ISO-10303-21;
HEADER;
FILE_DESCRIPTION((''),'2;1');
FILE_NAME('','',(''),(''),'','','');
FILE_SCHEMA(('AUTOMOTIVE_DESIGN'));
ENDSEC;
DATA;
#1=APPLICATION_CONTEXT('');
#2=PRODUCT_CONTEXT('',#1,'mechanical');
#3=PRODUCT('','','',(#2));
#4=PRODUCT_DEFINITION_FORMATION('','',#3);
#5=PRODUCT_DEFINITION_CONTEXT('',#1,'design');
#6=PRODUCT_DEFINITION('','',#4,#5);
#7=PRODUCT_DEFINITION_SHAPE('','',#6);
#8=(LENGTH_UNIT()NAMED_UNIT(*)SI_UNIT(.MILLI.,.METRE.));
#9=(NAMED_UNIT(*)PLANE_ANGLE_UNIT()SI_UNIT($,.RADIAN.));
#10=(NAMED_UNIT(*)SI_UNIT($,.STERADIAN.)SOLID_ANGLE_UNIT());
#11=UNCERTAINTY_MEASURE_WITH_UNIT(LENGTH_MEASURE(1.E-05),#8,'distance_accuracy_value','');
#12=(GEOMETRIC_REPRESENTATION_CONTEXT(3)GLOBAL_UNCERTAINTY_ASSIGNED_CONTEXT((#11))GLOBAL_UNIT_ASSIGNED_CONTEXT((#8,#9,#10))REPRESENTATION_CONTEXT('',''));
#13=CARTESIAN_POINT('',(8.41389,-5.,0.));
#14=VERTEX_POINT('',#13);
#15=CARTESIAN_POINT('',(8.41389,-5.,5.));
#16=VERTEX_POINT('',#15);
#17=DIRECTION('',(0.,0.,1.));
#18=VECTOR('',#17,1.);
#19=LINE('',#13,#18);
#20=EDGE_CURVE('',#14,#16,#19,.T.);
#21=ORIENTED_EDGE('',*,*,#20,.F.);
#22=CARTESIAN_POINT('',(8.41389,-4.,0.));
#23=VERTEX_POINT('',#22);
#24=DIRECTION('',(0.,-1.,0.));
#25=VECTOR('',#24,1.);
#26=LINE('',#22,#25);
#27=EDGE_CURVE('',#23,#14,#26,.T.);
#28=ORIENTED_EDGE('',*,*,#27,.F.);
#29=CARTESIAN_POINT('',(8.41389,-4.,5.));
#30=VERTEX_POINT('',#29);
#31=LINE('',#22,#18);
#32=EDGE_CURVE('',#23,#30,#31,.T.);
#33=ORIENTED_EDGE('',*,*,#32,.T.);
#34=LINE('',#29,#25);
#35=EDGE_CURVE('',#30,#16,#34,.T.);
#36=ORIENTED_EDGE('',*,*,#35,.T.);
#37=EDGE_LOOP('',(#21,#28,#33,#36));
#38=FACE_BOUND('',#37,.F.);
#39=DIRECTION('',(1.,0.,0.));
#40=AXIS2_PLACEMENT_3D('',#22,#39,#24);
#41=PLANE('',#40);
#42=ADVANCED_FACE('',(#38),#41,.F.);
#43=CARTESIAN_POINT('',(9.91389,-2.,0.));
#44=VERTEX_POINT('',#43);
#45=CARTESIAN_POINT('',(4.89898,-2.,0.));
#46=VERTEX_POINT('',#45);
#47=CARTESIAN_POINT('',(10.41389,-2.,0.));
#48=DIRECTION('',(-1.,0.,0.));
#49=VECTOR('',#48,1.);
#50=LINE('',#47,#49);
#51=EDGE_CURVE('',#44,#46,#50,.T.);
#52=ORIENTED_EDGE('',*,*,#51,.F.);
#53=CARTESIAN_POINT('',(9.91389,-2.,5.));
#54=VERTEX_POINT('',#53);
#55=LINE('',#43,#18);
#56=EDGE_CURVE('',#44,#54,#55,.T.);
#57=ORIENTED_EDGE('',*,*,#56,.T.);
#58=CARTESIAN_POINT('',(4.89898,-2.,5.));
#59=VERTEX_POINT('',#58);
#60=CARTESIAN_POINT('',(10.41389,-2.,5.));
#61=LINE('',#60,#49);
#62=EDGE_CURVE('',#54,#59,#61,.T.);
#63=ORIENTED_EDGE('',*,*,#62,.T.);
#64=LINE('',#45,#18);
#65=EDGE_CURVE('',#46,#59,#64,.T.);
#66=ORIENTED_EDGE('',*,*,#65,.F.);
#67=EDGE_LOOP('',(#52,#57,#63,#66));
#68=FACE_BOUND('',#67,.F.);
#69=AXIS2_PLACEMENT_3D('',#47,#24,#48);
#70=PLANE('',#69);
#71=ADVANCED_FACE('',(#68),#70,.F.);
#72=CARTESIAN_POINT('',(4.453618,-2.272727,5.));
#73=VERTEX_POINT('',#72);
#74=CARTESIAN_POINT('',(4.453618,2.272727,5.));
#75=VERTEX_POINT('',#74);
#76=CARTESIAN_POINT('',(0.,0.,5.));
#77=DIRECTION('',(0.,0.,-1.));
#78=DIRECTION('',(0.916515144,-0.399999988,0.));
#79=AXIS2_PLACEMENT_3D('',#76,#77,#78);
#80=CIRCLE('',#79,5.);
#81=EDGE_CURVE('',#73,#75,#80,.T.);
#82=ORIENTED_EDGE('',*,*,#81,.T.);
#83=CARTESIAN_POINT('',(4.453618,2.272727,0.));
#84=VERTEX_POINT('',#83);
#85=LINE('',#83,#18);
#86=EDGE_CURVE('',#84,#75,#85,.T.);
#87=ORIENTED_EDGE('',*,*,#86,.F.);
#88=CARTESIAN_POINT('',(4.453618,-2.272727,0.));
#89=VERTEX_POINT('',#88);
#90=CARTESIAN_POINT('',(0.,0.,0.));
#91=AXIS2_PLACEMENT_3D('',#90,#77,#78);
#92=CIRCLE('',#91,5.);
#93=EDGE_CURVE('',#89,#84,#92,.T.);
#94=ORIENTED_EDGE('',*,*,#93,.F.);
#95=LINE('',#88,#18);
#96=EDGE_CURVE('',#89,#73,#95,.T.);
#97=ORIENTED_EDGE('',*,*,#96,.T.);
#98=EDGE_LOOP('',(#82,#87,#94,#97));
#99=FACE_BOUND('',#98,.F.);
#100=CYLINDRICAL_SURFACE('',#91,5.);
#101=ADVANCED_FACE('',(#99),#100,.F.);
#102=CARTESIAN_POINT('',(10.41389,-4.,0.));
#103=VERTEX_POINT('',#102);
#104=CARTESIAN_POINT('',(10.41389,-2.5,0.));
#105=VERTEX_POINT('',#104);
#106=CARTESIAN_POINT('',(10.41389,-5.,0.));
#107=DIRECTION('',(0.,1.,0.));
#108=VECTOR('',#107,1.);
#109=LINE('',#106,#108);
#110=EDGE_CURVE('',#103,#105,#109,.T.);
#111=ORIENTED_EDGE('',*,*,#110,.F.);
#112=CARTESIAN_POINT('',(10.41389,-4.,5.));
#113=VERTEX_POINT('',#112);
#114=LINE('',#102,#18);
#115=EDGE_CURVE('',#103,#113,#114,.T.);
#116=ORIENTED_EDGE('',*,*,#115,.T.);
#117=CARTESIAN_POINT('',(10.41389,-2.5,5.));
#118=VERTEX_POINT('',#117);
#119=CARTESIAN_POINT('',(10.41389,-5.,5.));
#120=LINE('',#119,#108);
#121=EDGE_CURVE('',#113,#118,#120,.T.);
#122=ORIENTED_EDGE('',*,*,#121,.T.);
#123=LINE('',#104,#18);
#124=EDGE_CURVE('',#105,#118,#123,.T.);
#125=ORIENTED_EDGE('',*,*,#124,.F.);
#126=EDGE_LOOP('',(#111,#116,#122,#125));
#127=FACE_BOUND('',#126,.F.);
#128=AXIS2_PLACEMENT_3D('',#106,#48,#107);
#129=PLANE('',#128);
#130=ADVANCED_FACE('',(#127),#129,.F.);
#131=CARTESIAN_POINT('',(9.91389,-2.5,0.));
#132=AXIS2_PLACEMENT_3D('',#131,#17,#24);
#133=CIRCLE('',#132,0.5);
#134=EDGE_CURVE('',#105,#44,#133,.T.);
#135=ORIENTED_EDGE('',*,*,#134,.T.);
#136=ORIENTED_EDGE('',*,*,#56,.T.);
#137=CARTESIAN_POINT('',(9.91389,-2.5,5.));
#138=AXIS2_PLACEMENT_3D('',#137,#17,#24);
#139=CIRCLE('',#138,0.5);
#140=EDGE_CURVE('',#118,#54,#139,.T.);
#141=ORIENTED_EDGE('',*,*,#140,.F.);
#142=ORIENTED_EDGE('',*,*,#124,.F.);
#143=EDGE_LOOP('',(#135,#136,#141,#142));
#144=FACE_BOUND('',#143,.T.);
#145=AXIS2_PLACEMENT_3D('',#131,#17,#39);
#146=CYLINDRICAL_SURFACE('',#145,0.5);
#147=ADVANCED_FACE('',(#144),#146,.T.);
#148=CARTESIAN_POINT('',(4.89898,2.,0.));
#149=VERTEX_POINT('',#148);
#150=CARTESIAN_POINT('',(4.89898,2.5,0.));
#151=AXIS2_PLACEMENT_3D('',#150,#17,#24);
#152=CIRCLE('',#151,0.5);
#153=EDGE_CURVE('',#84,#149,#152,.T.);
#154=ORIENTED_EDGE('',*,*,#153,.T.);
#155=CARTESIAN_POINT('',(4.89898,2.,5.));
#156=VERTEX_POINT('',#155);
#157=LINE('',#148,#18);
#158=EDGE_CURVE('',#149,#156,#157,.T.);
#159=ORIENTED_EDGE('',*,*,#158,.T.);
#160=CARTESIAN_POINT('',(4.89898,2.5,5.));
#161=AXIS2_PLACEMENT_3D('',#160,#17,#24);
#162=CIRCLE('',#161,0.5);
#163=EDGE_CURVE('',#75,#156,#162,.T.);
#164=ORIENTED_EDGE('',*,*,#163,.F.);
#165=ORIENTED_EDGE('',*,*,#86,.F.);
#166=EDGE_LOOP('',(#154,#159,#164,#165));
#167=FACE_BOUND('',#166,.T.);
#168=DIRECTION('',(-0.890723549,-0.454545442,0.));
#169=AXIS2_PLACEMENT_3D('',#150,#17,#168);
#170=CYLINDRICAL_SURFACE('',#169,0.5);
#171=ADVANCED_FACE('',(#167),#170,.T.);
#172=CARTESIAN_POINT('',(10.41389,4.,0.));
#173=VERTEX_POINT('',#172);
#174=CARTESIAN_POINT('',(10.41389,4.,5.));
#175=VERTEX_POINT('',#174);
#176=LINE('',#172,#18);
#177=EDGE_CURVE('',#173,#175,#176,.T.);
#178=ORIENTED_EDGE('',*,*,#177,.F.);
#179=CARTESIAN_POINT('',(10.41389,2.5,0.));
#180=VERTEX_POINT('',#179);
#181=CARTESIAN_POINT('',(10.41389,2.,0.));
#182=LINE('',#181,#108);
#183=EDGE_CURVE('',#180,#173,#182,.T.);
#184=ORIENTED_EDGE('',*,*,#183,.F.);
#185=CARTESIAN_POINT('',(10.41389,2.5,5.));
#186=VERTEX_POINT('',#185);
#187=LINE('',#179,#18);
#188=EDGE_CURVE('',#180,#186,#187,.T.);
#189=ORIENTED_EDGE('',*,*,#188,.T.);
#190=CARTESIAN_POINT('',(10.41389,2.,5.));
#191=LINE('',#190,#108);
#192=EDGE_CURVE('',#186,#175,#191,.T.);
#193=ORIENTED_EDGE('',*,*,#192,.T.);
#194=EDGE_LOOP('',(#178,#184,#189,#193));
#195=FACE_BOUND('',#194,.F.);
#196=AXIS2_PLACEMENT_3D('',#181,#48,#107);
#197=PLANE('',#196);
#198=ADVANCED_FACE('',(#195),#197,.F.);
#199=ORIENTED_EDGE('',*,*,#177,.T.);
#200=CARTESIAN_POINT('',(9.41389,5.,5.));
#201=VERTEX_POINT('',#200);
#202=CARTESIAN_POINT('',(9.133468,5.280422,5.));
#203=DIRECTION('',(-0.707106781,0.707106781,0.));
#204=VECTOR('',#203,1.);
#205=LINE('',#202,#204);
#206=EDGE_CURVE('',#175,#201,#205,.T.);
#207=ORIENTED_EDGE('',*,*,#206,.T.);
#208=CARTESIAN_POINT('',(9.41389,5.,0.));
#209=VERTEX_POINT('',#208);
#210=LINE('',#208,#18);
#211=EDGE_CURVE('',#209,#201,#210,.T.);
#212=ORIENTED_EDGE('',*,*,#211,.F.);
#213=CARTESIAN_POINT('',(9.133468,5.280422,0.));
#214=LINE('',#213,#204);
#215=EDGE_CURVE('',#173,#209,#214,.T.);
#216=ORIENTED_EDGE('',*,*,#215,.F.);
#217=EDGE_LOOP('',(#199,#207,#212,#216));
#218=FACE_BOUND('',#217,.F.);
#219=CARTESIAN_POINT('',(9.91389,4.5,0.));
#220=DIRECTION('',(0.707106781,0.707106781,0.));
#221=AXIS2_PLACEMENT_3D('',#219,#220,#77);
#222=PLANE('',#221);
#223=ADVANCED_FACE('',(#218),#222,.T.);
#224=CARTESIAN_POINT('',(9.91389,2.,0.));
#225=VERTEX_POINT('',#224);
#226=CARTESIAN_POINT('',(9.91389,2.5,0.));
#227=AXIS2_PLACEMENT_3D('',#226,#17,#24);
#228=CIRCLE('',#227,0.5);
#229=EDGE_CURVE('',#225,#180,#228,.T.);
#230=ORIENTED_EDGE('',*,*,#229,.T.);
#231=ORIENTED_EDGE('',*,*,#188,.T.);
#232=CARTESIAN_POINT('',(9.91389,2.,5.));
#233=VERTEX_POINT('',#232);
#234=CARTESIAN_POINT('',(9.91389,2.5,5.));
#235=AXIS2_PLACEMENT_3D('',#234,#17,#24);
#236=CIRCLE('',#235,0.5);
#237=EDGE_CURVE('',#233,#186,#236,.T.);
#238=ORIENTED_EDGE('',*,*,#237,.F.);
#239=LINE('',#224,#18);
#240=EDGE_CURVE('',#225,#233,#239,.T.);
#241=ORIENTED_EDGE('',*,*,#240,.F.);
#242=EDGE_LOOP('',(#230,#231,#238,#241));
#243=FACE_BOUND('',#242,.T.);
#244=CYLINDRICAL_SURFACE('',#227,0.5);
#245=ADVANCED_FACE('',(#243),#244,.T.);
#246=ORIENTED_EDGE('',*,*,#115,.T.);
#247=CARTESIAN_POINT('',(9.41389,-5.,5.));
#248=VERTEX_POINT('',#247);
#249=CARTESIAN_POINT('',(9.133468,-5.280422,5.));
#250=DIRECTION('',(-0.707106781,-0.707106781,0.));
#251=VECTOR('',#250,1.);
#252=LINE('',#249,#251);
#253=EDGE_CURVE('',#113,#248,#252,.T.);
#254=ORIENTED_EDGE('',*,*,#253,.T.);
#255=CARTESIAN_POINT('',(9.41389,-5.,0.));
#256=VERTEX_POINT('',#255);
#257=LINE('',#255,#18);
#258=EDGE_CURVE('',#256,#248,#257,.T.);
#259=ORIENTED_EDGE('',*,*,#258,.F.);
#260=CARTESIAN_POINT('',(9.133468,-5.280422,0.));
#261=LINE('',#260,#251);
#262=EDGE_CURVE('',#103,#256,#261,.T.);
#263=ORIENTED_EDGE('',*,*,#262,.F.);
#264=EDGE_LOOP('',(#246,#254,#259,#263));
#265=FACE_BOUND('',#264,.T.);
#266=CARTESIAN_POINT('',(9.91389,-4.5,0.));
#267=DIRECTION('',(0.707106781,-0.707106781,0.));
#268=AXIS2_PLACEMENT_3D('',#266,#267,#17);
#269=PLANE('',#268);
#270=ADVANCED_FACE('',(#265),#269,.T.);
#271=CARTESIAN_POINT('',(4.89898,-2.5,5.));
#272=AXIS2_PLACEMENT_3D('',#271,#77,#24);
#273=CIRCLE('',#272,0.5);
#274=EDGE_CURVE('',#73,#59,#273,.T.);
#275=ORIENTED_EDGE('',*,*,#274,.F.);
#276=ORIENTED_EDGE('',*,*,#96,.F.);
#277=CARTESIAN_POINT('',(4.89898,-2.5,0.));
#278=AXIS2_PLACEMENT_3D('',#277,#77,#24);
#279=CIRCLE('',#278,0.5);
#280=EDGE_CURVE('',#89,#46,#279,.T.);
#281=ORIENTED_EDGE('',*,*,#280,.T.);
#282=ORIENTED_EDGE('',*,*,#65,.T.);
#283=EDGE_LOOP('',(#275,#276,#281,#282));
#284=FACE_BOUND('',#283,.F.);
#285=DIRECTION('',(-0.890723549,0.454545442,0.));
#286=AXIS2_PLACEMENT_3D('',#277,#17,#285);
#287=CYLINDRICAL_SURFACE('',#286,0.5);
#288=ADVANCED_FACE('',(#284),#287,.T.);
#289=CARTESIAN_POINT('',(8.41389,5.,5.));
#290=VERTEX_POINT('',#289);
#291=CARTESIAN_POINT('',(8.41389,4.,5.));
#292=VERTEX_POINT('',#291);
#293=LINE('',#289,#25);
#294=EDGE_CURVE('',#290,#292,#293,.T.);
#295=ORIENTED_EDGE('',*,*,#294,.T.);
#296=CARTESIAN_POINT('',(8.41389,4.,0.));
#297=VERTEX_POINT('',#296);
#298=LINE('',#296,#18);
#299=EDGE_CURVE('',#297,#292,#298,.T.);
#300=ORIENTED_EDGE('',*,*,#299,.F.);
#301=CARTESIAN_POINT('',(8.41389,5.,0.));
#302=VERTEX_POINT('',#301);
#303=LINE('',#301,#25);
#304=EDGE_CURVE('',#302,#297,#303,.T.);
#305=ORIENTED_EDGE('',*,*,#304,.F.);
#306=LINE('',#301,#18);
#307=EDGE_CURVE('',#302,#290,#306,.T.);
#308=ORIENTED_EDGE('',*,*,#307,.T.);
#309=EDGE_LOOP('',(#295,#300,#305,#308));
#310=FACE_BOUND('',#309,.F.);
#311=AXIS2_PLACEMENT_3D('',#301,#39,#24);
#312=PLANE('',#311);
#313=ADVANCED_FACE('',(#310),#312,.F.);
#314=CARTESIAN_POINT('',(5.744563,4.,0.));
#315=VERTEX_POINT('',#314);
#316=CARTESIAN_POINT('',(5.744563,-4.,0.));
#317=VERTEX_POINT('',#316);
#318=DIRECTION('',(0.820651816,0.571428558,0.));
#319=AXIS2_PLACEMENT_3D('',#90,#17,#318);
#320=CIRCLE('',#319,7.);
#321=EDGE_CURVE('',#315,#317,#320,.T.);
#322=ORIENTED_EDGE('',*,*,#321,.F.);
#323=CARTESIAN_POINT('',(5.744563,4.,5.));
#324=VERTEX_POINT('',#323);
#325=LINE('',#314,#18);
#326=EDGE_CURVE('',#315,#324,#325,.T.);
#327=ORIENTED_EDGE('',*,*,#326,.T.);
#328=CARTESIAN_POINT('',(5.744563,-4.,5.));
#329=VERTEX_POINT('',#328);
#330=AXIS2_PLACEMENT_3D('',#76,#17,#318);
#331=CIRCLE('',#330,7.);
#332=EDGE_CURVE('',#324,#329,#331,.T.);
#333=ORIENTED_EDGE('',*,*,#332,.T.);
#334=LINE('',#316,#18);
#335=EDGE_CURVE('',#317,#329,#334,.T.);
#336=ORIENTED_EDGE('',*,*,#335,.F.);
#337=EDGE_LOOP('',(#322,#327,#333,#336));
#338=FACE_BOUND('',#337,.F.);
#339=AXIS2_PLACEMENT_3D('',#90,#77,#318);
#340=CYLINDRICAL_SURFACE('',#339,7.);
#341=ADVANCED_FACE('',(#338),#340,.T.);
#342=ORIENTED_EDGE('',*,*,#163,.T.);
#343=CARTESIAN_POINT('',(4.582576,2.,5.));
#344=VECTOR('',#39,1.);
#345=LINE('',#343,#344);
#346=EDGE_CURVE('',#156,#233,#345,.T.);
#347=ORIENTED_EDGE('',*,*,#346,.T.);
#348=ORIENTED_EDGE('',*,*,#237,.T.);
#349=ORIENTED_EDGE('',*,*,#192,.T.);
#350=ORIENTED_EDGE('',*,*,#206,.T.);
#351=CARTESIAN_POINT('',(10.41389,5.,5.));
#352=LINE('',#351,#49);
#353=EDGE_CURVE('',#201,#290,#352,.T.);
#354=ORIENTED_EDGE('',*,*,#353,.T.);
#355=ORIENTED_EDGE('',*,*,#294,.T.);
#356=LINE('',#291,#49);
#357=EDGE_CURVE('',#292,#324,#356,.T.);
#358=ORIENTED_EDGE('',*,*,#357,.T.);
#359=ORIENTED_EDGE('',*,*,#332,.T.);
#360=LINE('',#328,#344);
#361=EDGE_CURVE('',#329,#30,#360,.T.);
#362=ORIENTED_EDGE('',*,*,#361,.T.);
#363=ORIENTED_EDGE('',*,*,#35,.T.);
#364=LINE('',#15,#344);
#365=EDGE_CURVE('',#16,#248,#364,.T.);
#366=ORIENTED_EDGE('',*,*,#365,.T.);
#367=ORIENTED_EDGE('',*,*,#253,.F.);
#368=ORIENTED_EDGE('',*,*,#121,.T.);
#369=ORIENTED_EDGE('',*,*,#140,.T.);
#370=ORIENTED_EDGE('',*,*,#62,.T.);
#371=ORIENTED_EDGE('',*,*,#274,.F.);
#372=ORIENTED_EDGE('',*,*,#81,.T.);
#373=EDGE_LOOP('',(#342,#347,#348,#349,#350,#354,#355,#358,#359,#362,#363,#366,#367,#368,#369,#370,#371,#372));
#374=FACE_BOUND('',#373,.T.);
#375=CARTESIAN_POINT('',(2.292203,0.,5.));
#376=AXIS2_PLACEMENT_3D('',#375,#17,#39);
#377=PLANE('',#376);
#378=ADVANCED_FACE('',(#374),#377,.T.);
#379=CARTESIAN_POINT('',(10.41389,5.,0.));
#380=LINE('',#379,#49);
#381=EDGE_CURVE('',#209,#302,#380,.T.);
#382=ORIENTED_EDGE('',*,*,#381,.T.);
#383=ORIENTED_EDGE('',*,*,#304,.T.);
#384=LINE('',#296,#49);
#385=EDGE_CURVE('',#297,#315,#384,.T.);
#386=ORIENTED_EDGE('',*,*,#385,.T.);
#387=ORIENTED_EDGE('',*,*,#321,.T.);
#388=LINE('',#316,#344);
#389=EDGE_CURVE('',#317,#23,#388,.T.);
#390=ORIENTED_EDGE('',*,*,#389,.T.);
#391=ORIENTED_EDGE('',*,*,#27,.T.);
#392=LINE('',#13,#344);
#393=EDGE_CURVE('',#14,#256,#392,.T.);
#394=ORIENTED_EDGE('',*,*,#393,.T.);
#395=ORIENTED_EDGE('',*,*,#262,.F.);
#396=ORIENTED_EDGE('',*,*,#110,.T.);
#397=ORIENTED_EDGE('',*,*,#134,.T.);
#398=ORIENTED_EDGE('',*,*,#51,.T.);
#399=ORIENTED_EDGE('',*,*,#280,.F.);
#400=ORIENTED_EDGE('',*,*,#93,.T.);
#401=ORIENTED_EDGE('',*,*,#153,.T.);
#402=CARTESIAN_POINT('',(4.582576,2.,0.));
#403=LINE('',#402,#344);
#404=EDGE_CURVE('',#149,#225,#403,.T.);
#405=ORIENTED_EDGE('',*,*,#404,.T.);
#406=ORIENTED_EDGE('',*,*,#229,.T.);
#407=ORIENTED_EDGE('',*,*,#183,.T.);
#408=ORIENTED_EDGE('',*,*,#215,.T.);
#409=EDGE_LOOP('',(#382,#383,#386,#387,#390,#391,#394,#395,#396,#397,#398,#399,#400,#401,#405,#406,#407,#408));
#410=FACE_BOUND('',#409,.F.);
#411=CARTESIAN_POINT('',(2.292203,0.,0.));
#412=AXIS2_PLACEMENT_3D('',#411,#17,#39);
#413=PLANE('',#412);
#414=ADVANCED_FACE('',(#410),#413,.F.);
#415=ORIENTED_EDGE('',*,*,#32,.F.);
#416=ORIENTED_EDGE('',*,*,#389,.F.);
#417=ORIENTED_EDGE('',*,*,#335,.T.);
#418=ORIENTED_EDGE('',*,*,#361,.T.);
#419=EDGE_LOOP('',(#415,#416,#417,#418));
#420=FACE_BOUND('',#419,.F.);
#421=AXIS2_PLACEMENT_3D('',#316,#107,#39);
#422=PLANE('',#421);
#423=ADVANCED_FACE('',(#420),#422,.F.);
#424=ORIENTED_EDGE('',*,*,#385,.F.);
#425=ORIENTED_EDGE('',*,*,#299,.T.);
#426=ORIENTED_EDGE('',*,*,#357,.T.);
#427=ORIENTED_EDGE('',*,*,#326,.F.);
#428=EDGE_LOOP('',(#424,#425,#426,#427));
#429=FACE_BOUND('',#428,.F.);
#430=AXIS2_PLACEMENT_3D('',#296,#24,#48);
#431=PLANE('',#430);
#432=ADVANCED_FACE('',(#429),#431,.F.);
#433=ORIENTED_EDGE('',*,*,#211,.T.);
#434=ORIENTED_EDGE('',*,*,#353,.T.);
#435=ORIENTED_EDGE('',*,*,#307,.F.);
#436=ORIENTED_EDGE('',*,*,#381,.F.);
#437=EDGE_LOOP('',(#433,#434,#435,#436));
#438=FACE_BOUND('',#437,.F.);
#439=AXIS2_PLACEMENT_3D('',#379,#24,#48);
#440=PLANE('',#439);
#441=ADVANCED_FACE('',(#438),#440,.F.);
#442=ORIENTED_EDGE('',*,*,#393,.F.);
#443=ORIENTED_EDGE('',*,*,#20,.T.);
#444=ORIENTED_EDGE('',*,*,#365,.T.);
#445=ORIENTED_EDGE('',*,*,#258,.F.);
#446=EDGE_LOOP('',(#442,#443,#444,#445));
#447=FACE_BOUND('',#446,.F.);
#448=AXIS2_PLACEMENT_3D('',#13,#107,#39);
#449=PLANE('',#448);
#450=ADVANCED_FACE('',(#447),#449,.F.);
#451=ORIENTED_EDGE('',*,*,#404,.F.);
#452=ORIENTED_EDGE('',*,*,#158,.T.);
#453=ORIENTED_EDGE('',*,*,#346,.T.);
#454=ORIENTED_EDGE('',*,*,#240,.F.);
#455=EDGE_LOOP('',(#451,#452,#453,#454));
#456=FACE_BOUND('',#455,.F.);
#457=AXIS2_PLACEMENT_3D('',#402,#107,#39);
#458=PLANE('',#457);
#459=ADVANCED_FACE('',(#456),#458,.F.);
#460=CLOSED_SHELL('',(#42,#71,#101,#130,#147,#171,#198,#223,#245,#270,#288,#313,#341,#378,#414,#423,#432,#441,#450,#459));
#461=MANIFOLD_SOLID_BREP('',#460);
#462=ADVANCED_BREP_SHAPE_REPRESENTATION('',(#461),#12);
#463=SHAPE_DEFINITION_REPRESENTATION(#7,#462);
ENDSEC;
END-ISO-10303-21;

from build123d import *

# Parameters (mm, degrees)
F1_DEPTH = 5
F2_R     = 0.5
F3_SIZE  = 1


with BuildPart() as f1:
    # F0 (on Top) → F1 (new body)
    with BuildSketch(Plane.XY):
        with BuildLine():
            ThreePointArc((4.582576, -2), (-5, 0), (4.582576, 2))
            Line((4.582576, 2), (10.41389, 2))
            Line((10.41389, 2), (10.41389, 5))
            Line((10.41389, 5), (8.41389, 5))
            Line((8.41389, 5), (8.41389, 4))
            Line((8.41389, 4), (5.744563, 4))
            ThreePointArc((5.744563, 4), (-7, 0), (5.744563, -4))
            Line((5.744563, -4), (8.41389, -4))
            Line((8.41389, -4), (8.41389, -5))
            Line((8.41389, -5), (10.41389, -5))
            Line((10.41389, -5), (10.41389, -2))
            Line((10.41389, -2), (4.582576, -2))
        make_face()
    extrude(amount=F1_DEPTH)

    # F2
    f2_edges = [f1.edges().sort_by_distance(p)[0] for p in [
        (10.41389, 2, 2.5),
        (4.582576, 2, 2.5),
        (4.582576, -2, 2.5),
        (10.41389, -2, 2.5),
    ]]
    fillet(f2_edges, radius=F2_R)

    # F3
    f3_edges = [f1.edges().sort_by_distance(p)[0] for p in [
        (10.41389, -5, 2.5),
        (10.41389, 5, 2.5),
    ]]
    chamfer(f3_edges, length=F3_SIZE)


solid = f1.part
